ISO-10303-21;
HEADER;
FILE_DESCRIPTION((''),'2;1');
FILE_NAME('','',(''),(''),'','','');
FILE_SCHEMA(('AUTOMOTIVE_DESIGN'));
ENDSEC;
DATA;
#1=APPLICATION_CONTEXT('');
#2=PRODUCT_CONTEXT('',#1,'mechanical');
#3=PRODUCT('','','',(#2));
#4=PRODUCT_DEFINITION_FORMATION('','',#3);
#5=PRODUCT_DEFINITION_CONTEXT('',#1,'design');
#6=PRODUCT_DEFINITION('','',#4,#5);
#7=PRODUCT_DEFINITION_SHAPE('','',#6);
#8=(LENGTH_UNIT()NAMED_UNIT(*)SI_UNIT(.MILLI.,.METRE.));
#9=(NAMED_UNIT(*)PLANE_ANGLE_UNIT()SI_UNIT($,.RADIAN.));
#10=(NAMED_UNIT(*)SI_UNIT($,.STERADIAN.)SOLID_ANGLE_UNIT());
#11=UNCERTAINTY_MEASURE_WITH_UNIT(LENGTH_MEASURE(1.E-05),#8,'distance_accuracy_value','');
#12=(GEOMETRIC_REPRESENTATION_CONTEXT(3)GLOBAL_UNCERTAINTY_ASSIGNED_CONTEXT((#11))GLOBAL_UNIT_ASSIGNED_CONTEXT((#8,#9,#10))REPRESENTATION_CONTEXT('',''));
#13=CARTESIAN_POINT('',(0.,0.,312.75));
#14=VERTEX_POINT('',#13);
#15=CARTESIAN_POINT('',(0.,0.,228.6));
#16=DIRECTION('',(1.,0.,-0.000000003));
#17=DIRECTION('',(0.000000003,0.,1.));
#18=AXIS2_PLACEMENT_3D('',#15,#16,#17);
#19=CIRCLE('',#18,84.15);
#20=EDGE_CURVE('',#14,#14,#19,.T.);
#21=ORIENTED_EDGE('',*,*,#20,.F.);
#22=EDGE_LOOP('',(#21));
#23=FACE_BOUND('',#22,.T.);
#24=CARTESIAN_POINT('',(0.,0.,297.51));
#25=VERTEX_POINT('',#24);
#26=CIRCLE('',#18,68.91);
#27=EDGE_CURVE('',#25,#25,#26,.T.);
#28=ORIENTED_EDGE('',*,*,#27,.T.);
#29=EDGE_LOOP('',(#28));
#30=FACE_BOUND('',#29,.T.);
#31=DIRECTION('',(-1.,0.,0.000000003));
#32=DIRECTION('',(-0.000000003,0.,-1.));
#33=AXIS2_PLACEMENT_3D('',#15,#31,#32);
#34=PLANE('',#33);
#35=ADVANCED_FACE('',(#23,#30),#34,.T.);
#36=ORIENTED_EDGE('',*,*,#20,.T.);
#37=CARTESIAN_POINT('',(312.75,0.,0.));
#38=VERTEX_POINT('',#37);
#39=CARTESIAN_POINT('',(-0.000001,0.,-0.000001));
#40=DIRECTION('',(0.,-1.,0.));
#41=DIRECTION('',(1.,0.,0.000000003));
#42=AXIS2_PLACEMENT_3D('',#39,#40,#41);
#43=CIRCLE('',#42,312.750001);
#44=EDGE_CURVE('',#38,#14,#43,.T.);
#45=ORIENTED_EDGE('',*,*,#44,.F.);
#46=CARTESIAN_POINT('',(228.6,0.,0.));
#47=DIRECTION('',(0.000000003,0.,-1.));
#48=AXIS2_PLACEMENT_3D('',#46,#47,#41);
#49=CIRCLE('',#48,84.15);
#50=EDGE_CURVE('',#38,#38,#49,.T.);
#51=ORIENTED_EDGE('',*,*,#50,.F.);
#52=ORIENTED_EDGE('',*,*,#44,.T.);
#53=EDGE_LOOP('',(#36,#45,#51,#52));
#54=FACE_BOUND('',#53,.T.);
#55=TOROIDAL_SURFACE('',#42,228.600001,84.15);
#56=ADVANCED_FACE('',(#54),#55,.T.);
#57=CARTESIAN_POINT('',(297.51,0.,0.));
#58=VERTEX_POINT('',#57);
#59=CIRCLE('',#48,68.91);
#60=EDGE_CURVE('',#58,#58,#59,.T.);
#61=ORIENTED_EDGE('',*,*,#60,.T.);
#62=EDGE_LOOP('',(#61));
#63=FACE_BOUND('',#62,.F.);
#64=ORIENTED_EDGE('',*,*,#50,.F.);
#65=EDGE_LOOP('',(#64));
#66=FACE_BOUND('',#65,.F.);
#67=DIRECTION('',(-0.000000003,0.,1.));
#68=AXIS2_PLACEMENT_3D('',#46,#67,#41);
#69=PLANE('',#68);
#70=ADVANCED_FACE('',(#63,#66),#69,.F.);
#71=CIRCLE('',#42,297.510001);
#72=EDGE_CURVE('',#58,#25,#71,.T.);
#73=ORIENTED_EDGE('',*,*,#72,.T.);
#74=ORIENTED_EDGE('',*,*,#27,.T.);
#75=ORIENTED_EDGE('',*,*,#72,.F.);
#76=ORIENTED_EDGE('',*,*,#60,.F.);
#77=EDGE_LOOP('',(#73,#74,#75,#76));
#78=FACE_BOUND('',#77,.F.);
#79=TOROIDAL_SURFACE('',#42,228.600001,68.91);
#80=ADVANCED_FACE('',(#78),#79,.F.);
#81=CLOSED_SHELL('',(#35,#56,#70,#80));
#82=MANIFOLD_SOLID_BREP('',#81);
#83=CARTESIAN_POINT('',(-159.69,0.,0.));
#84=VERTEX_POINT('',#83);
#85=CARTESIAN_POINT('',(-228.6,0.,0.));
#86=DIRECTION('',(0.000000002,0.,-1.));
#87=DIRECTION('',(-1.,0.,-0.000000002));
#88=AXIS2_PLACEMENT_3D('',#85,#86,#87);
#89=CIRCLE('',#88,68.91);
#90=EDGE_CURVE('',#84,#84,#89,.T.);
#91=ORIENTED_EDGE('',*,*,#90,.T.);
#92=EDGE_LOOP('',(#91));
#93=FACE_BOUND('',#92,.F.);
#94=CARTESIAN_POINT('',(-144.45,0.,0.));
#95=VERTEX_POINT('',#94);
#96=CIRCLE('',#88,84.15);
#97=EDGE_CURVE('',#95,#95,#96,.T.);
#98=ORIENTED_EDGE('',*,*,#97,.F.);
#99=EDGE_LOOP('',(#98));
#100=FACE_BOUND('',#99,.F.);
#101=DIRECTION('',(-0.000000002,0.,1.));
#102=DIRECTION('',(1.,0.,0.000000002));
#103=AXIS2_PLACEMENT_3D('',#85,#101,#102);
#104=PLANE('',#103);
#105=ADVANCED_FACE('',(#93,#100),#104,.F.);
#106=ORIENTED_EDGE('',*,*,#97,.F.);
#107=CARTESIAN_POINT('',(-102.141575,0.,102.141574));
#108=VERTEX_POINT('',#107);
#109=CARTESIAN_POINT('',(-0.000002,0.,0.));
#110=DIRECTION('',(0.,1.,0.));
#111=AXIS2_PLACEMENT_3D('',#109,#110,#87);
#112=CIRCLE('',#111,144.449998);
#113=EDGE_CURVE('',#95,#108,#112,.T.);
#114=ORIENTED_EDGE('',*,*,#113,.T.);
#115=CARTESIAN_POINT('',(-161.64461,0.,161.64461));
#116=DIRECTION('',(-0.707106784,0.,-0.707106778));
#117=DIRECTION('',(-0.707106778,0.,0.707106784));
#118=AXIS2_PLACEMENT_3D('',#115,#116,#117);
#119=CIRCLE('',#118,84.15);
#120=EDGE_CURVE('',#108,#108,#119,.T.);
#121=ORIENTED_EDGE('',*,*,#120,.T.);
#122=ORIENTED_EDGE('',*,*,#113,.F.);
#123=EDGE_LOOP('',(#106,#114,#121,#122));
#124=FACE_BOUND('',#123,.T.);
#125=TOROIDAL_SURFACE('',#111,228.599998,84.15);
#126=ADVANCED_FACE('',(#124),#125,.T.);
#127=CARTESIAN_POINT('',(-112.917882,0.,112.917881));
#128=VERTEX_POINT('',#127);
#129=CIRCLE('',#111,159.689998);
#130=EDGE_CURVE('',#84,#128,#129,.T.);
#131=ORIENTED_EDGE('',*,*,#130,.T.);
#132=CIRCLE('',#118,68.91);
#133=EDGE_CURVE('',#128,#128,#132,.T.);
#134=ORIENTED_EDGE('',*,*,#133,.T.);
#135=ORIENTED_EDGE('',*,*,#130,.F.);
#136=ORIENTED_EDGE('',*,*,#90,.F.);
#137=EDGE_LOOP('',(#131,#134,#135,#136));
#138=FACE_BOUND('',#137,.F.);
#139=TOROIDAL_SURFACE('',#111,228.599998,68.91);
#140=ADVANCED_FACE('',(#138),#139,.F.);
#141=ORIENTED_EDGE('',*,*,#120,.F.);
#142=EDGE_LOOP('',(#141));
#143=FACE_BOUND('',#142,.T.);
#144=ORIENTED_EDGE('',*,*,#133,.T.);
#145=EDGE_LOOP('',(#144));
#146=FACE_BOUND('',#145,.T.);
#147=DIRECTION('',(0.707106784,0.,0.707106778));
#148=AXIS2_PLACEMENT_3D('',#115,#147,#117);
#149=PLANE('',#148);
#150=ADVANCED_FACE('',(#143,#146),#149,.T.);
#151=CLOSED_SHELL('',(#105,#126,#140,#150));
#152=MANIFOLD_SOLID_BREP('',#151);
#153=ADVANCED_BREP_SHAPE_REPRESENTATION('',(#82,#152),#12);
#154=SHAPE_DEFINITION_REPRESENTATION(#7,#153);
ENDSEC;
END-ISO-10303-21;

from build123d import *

# Parameters (mm, degrees)
F1_R   = 84.15
F1_R_2 = 68.91
F4_R   = 84.15
F4_R_2 = 68.91


with BuildPart() as f2:
    # F2: sweep along a path in F0
    with BuildLine(Plane.XZ) as f2_path:
        ThreePointArc((-228.6, 0), (-211.198861, 87.481433), (-161.64461, 161.64461))
    # F1 (on Top) → F2 (sweep)
    with BuildSketch(Plane.XY):
        with Locations((-228.6, 0)):
            Circle(F1_R)
        with Locations((-228.6, 0)):
            Circle(F1_R_2, mode=Mode.SUBTRACT)
    sweep(path=f2_path.line)


with BuildPart() as f5:
    # F5: sweep along a path in F3
    with BuildLine(Plane.XZ) as f5_path:
        ThreePointArc((228.6, 0), (161.64461, 161.64461), (0, 228.6))
    # F4 (on Top) → F5 (sweep)
    with BuildSketch(Plane.XY):
        with Locations((228.6, 0)):
            Circle(F4_R)
        with Locations((228.6, 0)):
            Circle(F4_R_2, mode=Mode.SUBTRACT)
    sweep(path=f5_path.line)


solid = Compound([f2.part, f5.part])
